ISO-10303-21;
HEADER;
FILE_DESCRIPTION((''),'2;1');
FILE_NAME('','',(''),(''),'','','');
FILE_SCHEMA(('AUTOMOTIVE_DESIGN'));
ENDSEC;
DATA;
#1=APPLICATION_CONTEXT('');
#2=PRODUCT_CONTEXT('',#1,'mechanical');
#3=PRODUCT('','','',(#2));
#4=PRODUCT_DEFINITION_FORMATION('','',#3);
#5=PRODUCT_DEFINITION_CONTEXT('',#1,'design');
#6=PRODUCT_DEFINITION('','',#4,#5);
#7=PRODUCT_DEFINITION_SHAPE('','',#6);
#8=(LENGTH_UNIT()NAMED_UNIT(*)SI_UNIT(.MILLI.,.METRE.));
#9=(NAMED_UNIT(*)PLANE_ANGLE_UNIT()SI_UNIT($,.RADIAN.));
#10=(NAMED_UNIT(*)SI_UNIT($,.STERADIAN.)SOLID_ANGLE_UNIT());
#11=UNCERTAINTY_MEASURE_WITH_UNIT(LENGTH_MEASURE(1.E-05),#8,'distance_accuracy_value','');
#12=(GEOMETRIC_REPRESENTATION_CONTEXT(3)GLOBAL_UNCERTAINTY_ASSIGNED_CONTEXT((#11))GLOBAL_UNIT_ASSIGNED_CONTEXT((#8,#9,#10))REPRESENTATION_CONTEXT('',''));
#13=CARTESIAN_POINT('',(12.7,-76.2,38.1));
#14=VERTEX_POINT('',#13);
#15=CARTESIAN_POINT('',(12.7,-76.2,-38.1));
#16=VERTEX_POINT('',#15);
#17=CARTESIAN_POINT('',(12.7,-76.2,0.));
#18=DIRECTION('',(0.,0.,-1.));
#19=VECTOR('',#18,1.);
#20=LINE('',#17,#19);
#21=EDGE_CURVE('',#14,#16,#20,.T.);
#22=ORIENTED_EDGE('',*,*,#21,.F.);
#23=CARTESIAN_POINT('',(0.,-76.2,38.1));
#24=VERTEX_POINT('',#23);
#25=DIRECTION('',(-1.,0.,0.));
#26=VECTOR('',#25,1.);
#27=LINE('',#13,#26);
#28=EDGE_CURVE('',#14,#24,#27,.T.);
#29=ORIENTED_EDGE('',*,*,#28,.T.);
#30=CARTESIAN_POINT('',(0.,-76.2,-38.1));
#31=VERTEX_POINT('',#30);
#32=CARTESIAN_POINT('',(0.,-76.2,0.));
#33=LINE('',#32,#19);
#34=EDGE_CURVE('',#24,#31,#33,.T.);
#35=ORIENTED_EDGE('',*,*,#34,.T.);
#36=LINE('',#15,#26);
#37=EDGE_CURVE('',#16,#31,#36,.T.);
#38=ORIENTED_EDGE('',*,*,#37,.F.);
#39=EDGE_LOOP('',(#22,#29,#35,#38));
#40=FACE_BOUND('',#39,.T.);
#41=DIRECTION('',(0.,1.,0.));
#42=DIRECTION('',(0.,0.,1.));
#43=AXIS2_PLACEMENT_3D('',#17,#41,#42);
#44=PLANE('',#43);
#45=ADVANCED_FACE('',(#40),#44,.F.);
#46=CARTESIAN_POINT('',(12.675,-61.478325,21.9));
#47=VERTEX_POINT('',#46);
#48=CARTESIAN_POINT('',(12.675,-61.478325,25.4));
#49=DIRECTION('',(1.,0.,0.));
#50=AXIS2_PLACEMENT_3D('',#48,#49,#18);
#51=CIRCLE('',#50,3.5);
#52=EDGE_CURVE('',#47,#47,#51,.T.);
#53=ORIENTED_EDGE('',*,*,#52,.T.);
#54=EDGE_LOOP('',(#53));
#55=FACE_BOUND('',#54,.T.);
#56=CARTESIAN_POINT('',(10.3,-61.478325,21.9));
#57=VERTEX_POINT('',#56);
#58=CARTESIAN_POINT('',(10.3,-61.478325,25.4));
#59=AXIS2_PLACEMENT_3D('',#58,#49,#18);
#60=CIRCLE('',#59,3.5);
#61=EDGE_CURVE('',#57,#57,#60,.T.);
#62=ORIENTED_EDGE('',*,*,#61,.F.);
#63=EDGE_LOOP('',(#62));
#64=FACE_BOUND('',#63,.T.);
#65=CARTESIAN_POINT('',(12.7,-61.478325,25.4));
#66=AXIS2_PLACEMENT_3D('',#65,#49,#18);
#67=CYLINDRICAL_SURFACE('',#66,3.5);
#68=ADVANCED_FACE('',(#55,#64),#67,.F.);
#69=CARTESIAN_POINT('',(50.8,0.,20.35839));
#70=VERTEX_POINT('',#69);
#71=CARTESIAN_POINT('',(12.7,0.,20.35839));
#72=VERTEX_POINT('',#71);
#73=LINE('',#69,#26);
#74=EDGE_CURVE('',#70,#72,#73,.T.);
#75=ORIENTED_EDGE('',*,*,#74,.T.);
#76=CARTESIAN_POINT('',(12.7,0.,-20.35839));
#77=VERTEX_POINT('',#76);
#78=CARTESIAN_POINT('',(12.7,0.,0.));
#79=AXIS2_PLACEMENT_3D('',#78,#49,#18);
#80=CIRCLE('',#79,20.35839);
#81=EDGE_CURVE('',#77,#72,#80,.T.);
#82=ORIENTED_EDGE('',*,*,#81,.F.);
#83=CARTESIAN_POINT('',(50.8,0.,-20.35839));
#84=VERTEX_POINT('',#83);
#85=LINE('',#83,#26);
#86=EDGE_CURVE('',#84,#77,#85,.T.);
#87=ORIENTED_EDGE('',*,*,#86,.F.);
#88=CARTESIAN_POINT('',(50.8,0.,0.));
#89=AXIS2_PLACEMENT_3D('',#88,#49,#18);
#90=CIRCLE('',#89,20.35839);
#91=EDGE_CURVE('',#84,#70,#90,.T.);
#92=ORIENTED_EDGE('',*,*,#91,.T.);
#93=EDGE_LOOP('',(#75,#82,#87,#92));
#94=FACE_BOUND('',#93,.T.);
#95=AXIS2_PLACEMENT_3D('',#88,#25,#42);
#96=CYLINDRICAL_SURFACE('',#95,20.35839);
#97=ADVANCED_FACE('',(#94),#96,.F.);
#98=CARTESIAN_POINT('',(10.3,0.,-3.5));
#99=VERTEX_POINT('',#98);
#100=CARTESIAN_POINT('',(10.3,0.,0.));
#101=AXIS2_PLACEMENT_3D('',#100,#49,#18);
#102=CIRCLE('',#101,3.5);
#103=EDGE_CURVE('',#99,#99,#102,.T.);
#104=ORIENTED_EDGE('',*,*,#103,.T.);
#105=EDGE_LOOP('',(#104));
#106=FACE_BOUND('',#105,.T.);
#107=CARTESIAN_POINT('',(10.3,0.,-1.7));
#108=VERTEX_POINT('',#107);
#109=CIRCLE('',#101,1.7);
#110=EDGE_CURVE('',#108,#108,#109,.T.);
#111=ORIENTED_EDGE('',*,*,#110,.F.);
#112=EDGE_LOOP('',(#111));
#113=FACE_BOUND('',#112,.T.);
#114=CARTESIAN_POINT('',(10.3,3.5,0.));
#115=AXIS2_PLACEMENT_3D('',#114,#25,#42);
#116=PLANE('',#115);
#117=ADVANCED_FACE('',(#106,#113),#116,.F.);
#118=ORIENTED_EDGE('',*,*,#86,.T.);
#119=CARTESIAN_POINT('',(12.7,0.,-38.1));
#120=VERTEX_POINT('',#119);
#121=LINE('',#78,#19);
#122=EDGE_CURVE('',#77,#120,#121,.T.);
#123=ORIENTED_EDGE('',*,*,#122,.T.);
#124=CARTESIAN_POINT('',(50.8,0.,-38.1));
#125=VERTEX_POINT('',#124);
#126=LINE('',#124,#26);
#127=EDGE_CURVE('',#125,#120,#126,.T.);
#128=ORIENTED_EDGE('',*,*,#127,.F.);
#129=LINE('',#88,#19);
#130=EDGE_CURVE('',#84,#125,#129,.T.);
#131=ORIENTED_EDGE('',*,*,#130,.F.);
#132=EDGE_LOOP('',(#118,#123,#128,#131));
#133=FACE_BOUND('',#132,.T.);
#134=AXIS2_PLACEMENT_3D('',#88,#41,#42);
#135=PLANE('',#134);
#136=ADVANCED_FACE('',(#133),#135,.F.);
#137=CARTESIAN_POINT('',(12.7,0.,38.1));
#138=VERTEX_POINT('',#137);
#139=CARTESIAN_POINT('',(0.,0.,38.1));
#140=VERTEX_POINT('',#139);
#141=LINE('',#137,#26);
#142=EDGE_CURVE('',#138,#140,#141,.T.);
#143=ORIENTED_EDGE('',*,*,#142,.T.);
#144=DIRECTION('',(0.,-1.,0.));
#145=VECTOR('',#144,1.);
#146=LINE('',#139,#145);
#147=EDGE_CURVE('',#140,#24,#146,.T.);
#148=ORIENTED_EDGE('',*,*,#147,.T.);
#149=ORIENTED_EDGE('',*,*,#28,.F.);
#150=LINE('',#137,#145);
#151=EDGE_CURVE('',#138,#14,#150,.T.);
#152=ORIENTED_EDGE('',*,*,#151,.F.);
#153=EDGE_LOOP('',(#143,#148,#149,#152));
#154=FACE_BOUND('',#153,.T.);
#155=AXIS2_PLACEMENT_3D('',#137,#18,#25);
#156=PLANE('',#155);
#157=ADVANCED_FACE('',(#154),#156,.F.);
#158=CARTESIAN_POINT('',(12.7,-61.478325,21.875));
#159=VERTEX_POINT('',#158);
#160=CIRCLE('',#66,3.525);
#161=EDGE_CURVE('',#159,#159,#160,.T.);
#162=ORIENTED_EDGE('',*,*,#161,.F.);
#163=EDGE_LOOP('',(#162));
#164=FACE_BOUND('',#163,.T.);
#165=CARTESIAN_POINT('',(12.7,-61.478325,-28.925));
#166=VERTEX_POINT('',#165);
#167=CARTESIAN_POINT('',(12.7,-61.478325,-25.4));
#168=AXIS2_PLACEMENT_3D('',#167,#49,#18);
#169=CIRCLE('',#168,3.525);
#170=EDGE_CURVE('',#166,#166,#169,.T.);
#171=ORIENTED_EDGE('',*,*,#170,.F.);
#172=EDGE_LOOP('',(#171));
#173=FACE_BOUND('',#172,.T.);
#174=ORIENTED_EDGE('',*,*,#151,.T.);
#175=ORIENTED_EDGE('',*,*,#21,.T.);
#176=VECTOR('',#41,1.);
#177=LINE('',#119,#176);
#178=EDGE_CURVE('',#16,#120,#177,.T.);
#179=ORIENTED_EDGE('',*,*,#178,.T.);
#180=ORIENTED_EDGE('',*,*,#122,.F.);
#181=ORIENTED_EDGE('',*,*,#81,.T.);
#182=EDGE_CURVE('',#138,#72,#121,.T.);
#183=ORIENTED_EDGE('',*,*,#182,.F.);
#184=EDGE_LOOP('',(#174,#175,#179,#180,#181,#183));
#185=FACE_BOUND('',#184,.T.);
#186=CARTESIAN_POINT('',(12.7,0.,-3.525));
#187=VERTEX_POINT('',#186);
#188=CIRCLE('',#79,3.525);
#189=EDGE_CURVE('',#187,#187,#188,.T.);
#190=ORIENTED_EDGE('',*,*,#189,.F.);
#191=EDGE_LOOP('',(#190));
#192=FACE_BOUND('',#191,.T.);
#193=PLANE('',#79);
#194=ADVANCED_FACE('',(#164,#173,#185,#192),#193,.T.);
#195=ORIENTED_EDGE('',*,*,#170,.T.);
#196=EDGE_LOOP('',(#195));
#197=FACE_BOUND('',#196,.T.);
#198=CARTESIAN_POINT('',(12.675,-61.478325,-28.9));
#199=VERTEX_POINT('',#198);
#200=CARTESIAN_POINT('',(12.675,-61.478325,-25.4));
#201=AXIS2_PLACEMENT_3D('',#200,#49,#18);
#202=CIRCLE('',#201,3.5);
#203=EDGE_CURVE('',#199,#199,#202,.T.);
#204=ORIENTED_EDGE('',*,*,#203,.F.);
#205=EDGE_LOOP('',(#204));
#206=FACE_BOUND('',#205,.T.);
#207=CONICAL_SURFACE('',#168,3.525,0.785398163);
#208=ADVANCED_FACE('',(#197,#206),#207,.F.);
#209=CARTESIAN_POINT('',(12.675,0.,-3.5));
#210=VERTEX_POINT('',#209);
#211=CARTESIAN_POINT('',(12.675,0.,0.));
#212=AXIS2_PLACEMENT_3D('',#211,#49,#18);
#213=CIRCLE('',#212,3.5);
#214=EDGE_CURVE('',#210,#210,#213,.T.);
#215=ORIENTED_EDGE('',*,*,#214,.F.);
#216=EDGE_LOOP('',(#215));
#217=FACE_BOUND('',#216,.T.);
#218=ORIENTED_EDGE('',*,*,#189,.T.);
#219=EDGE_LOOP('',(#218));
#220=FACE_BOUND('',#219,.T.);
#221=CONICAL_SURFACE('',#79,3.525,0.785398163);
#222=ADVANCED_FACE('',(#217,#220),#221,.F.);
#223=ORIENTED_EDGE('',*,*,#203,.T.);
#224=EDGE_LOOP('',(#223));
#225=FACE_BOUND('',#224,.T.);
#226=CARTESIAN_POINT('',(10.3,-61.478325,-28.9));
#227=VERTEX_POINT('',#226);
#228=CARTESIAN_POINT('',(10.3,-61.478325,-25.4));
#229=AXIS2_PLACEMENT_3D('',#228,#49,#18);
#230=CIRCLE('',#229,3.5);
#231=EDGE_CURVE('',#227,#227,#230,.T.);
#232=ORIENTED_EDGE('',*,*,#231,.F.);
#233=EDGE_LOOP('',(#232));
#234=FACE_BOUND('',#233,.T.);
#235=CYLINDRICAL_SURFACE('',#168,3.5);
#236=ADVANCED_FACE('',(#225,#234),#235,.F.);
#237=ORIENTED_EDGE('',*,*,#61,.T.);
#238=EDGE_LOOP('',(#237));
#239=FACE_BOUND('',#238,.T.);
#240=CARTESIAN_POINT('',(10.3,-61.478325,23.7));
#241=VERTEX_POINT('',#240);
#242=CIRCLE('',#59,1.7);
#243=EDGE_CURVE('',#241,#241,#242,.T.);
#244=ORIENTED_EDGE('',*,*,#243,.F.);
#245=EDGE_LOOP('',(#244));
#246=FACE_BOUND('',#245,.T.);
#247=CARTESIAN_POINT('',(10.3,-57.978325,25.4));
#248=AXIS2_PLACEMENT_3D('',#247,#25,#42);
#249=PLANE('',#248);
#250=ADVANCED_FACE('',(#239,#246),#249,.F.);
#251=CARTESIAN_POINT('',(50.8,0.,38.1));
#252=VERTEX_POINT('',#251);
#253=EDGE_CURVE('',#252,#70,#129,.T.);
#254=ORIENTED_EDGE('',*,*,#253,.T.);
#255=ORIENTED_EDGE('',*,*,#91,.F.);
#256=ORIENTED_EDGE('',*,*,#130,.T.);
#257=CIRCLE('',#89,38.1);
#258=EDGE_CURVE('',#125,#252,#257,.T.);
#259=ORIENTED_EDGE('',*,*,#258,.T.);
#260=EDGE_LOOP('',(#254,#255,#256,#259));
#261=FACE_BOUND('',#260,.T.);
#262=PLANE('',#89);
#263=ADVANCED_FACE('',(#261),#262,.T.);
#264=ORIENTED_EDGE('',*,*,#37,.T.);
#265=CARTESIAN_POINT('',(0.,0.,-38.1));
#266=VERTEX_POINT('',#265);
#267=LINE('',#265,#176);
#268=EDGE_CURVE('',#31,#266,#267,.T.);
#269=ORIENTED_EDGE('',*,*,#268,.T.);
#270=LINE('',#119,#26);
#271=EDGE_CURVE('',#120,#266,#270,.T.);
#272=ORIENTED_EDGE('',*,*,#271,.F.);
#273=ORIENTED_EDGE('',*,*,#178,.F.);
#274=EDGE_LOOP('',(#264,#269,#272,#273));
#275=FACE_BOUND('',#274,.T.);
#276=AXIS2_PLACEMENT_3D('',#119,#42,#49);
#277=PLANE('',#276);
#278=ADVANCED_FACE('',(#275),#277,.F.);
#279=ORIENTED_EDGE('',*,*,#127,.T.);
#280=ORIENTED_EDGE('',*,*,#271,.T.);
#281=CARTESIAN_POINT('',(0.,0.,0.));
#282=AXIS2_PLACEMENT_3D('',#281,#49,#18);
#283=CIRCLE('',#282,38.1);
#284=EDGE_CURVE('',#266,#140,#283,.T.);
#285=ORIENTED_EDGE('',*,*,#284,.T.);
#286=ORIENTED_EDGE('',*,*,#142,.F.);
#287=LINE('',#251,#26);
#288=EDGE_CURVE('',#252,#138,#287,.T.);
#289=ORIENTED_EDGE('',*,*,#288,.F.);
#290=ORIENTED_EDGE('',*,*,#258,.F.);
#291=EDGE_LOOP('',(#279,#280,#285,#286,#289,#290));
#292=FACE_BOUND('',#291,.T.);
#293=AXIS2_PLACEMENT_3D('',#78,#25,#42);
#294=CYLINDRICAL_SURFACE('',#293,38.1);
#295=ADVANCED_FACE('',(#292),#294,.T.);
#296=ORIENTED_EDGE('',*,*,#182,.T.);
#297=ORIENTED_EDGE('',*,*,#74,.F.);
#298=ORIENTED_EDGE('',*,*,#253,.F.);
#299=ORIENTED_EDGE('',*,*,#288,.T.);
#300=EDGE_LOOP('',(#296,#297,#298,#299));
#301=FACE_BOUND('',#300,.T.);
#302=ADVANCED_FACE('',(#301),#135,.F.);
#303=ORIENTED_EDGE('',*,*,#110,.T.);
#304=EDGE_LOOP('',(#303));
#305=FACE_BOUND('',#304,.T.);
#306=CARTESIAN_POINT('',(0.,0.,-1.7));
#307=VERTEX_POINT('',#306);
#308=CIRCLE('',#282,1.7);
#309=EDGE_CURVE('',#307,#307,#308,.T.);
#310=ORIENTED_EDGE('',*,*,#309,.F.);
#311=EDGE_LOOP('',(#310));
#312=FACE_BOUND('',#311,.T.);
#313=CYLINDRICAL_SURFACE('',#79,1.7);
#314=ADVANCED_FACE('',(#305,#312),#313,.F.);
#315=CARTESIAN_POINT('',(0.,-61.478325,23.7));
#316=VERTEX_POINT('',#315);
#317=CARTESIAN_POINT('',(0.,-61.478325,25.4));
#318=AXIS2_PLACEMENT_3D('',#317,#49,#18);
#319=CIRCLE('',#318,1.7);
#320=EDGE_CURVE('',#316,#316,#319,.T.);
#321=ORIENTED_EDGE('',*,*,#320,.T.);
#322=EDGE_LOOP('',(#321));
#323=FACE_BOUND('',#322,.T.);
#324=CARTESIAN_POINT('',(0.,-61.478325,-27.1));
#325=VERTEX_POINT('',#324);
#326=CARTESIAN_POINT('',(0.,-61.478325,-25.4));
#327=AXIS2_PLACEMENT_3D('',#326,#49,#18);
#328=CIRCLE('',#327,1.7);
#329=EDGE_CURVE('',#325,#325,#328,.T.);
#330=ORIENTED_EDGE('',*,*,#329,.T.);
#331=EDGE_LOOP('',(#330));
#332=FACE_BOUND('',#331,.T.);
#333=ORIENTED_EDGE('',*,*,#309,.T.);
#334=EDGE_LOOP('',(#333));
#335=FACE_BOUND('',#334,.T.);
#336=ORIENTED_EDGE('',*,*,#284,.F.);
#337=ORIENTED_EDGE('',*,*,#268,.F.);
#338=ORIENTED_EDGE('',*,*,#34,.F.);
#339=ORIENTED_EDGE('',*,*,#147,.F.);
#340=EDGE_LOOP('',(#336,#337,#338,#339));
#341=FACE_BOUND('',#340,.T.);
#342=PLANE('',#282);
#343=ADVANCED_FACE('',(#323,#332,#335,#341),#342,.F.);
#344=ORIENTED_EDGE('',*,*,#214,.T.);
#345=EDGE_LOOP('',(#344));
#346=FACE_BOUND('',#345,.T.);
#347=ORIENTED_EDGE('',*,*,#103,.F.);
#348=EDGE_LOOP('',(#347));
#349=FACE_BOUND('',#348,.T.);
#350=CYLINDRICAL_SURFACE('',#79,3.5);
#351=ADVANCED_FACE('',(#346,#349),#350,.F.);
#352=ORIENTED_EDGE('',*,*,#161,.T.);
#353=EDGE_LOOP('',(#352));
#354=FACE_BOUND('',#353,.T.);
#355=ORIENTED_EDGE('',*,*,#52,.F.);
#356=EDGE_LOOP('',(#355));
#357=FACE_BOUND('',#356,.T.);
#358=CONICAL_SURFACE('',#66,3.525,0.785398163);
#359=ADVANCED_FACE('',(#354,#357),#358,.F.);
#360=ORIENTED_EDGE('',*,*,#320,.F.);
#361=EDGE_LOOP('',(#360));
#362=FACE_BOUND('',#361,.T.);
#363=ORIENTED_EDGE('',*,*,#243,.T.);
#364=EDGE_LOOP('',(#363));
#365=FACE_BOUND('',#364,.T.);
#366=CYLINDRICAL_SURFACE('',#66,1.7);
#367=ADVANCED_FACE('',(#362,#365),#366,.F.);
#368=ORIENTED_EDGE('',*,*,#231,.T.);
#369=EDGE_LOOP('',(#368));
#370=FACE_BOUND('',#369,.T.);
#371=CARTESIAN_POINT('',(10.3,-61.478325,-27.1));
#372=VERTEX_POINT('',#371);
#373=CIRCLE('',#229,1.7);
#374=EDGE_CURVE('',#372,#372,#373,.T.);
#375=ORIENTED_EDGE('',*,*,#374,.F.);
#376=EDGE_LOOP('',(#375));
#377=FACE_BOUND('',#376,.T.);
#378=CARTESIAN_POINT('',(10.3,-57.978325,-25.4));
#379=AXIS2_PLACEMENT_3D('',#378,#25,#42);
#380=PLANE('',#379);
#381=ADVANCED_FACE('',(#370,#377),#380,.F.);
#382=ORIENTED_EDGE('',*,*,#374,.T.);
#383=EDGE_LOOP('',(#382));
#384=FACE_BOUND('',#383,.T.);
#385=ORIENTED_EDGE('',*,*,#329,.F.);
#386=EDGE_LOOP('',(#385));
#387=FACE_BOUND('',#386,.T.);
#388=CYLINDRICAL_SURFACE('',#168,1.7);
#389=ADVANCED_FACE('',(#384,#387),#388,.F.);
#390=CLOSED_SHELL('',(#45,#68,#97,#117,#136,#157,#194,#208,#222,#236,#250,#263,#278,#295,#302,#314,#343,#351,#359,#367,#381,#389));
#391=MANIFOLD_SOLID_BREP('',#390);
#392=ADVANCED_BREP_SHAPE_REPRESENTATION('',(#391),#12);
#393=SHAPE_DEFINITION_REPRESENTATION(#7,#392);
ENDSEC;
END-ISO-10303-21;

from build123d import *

# Parameters (mm, degrees)
BOSS_EXTRUDE3_DEPTH                           = 12.7
BOSS_EXTRUDE4_DEPTH                           = 38.1
CBORE_FOR_M3_PAN_HEAD_MACHINE_SCREW1_AT_COUNT = 2
CBORE_FOR_M3_PAN_HEAD_MACHINE_SCREW1_AT_PITCH = 66.51875294
CBORE_FOR_M3_PAN_HEAD_MACHINE_SCREW1_2_COUNT  = 2
CBORE_FOR_M3_PAN_HEAD_MACHINE_SCREW1_2_PITCH  = 66.51875294


with BuildPart() as part:
    # Sketch1 → Boss-Extrude3 (new body)
    with BuildSketch(Plane(origin=(0, 0, 0), x_dir=(0, 0, -1), z_dir=(1, 0, 0))):
        with BuildLine():
            Line((38.1, -76.2), (38.1, 0))
            ThreePointArc((38.1, 0), (0, 38.1), (-38.1, 0))
            Line((-38.1, 0), (-38.1, -76.2))
            Line((-38.1, -76.2), (38.1, -76.2))
        make_face()
    extrude(amount=BOSS_EXTRUDE3_DEPTH)

    # Sketch5 → Boss-Extrude4 (add)
    with BuildSketch(Plane(origin=(12.7, 0, 0), x_dir=(0, 0, -1), z_dir=(1, 0, 0))):
        with BuildLine():
            ThreePointArc((-20.358389677, 0), (0, 20.358389677), (20.358389677, 0))
            Line((20.358389677, 0), (38.1, 0))
            ThreePointArc((38.1, 0), (0, 38.1), (-38.1, 0))
            Line((-38.1, 0), (-20.358389677, 0))
        make_face()
    extrude(amount=BOSS_EXTRUDE4_DEPTH)

    # Sketch8 → CBORE for M3 Pan Head Machine Screw1 (revolve, cut)
    with BuildSketch(Plane(origin=(12.7, 0, 0), x_dir=(0, 0, -1), z_dir=(0, 1, 0))):
        Polygon((0, 0), (0, 12.7), (1.7, 12.7), (1.7, 2.4), (3.5, 2.4), (3.5, 0.025), (3.525, 0), align=None)
    cbore_for_m3_pan_head_machine_screw1 = revolve(axis=Axis((19.05, 0, 0), (-1, 0, 0)), mode=Mode.SUBTRACT)

    # CBORE for M3 Pan Head Machine Screw1 at: CBORE for M3 Pan Head Machine Screw1 ×2
    with Locations(*[Vector(0, -0.924225465, 0.381847207) * (i * CBORE_FOR_M3_PAN_HEAD_MACHINE_SCREW1_AT_PITCH) for i in range(1, CBORE_FOR_M3_PAN_HEAD_MACHINE_SCREW1_AT_COUNT)]):
        add(cbore_for_m3_pan_head_machine_screw1, mode=Mode.SUBTRACT)

    # CBORE for M3 Pan Head Machine Screw1 2: CBORE for M3 Pan Head Machine Screw1 ×2
    with Locations(*[Vector(0, -0.924225465, -0.381847207) * (i * CBORE_FOR_M3_PAN_HEAD_MACHINE_SCREW1_2_PITCH) for i in range(1, CBORE_FOR_M3_PAN_HEAD_MACHINE_SCREW1_2_COUNT)]):
        add(cbore_for_m3_pan_head_machine_screw1, mode=Mode.SUBTRACT)


solid = part.part
